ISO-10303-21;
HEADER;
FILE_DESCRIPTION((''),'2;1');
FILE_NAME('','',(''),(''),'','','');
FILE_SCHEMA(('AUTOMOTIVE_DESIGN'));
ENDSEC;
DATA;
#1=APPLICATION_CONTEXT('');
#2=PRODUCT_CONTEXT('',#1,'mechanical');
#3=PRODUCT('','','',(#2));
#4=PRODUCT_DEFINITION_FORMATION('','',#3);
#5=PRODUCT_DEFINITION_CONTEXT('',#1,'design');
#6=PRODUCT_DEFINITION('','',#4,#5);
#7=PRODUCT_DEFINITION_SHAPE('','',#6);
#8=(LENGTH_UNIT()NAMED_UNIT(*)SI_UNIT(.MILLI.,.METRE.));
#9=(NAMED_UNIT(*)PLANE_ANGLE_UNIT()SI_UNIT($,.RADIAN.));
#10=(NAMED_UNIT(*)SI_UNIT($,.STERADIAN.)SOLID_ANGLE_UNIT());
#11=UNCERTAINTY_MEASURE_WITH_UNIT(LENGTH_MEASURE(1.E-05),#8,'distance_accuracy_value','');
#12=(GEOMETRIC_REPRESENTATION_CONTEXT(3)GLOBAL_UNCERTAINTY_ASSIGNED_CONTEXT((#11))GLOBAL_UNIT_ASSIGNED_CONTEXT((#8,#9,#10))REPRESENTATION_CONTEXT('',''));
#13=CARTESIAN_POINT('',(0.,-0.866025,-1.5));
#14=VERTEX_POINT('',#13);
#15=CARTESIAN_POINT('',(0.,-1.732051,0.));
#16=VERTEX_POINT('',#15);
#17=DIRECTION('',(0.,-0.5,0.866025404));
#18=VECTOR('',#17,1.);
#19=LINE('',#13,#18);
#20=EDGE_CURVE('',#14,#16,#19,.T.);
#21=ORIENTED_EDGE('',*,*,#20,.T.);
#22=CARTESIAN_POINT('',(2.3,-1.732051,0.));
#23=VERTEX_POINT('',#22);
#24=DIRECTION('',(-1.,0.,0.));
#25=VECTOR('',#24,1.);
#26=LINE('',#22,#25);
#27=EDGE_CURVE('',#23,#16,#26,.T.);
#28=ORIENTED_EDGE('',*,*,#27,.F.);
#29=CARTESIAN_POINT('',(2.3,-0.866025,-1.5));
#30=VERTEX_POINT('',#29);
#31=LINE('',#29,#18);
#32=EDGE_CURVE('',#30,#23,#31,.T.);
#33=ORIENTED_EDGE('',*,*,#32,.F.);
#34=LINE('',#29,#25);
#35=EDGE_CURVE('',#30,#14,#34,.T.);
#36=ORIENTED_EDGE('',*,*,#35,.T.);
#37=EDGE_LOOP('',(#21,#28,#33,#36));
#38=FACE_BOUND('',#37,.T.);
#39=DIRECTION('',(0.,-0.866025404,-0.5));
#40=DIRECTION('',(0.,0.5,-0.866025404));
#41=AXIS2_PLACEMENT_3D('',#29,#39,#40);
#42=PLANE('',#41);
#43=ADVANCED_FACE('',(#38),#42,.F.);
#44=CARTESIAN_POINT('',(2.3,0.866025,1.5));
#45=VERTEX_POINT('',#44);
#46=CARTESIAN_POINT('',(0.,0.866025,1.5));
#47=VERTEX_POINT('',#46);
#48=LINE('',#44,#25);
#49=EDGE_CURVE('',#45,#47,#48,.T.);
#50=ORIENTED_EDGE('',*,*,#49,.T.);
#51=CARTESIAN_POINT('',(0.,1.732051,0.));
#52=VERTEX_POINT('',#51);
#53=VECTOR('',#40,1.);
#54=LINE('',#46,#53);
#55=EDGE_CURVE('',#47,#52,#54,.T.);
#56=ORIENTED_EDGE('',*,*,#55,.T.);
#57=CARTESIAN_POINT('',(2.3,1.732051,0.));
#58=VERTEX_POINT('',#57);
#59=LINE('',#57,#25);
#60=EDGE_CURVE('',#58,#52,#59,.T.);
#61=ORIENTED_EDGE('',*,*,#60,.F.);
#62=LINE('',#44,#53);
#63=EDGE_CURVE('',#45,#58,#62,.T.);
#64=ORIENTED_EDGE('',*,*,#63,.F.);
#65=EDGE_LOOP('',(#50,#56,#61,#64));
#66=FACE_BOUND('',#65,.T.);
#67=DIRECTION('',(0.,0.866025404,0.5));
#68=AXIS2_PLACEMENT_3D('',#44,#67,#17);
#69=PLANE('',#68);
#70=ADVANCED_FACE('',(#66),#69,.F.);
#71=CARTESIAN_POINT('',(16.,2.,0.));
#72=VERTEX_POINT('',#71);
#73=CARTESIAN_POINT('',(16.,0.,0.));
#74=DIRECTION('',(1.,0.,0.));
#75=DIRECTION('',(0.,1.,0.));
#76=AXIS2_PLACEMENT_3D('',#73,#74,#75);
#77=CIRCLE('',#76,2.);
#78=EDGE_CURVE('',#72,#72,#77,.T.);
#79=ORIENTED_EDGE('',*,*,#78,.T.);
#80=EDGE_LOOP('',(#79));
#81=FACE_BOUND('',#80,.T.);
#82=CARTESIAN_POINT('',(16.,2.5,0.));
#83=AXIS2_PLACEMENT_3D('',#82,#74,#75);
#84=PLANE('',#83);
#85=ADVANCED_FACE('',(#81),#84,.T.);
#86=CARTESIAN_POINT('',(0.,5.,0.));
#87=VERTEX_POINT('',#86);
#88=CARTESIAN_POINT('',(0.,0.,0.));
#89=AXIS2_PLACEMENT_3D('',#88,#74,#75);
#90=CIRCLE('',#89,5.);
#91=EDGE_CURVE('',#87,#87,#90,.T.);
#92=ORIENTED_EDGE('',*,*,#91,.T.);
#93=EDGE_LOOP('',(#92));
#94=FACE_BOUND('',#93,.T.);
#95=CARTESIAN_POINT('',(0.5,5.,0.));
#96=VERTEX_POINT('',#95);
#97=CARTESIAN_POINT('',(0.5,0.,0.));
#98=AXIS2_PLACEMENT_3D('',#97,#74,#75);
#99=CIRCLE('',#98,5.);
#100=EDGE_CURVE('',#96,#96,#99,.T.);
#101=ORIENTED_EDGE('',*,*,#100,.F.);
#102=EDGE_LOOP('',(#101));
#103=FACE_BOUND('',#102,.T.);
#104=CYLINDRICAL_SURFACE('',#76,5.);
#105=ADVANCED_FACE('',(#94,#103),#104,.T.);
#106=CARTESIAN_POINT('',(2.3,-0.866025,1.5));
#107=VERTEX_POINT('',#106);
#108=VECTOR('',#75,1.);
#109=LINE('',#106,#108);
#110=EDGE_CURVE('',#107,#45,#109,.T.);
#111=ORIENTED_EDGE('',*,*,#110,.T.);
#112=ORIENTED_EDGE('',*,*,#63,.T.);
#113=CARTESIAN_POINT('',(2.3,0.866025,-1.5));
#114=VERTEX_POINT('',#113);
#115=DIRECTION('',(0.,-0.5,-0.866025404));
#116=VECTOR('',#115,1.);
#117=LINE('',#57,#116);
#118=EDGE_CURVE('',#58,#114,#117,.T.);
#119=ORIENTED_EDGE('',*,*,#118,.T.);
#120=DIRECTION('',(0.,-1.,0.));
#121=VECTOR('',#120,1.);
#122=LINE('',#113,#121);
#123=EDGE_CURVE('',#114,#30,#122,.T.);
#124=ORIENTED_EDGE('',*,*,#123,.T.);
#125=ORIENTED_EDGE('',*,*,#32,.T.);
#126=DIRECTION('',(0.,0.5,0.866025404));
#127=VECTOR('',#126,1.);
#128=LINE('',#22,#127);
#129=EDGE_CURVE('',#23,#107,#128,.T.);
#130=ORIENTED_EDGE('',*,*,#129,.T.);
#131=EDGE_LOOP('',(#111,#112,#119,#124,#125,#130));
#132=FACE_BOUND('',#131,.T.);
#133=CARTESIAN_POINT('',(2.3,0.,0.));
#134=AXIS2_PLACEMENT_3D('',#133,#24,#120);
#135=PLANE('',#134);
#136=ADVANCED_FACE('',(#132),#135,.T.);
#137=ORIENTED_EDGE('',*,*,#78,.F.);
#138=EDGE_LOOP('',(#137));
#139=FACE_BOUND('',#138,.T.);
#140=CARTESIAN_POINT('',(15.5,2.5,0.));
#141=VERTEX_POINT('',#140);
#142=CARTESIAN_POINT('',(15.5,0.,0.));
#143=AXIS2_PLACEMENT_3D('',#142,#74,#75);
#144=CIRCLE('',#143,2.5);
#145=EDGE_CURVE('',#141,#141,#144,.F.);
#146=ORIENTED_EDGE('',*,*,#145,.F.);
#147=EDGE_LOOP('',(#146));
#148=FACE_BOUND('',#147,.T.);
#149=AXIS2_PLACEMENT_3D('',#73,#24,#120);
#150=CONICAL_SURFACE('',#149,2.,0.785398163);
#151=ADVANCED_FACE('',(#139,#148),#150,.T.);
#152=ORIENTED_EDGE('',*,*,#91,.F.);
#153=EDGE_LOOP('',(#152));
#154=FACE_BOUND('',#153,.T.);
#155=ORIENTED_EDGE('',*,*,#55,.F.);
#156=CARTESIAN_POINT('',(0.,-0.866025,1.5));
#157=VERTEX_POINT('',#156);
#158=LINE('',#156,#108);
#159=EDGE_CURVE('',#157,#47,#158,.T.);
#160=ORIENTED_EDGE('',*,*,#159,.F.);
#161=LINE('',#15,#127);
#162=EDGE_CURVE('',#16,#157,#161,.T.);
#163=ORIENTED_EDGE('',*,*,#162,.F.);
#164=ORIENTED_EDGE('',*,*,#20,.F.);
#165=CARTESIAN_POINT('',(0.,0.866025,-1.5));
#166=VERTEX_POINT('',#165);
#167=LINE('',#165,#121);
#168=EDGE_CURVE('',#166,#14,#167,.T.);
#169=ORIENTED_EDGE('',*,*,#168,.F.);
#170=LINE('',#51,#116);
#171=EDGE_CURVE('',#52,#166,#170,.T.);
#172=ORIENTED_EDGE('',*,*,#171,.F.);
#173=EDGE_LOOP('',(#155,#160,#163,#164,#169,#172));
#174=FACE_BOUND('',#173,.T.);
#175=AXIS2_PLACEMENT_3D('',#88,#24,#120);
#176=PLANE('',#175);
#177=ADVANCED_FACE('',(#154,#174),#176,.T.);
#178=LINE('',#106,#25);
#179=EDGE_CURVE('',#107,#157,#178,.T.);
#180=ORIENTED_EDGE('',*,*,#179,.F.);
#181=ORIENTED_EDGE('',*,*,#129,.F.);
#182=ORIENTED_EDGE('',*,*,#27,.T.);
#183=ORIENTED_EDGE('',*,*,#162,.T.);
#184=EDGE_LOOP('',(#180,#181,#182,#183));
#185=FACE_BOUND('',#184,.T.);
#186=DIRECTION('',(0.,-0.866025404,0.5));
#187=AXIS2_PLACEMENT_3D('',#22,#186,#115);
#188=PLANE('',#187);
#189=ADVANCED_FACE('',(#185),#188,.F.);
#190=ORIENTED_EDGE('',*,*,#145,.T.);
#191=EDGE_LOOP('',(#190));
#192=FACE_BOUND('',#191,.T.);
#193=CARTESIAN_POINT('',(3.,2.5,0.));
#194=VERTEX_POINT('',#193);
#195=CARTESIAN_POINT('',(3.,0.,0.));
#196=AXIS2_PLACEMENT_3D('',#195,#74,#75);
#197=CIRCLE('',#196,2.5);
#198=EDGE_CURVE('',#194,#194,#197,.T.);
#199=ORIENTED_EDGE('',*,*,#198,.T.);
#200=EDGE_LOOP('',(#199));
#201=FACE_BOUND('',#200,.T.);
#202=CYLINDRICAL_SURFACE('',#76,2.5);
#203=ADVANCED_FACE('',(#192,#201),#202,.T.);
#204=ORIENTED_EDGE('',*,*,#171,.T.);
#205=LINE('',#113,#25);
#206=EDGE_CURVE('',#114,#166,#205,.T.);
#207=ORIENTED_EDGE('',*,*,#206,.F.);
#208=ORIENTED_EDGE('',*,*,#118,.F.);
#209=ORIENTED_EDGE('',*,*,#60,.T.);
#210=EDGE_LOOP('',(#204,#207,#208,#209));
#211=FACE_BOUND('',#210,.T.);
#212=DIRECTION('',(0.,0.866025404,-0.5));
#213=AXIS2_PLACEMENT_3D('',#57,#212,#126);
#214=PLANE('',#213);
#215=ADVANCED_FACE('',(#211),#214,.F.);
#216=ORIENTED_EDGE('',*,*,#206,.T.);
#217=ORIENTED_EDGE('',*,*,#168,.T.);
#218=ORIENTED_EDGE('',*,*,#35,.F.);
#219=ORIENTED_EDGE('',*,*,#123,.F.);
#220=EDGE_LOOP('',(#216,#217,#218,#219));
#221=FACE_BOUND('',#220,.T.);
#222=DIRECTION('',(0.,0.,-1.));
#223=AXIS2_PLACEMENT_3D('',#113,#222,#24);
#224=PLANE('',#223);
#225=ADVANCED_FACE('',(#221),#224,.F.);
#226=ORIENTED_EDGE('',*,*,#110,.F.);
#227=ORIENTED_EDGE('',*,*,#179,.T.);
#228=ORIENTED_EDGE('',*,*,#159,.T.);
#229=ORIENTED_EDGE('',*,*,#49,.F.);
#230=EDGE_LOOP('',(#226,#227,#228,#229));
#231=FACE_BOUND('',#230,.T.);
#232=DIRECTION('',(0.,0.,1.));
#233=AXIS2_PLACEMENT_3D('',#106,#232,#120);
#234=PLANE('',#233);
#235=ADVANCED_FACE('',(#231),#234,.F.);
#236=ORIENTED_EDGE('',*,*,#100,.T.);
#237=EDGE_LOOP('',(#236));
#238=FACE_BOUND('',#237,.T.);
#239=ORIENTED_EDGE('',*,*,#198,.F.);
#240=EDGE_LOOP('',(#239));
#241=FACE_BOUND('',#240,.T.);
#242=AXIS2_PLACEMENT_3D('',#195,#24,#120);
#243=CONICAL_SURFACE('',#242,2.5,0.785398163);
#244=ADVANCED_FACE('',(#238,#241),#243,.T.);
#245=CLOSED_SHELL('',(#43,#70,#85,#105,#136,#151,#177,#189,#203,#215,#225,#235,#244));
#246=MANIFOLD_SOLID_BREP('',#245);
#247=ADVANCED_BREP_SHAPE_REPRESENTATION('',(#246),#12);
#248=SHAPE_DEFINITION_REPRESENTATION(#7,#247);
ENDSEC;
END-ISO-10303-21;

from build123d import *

# Parameters (mm, degrees)
CHANFREIN1_SIZE         = 0.5
ENL_V_MAT_EXTRU_1_DEPTH = 2.3


with BuildPart() as part:
    # Esquisse1 → Révolution1 (revolve)
    with BuildSketch(Plane.XY):
        Polygon((0, 0), (0, 5), (0.5, 5), (3, 2.5), (16, 2.5), (16, 0), align=None)
    revolve(axis=Axis((16, 0, 0), (-1, 0, 0)))

    # Chanfrein1
    chanfrein1_edges = [part.edges().sort_by_distance(p)[0] for p in [
        (16, -2.5, 0),
    ]]
    chamfer(chanfrein1_edges, length=CHANFREIN1_SIZE)

    # Esquisse2 → Enlèv. mat.-Extru.1 (cut)
    with BuildSketch(Plane.ZY):
        Polygon((0, 1.732050808), (-1.5, 0.866025404), (-1.5, -0.866025404), (0, -1.732050808), (1.5, -0.866025404), (1.5, 0.866025404), align=None)
    extrude(amount=-ENL_V_MAT_EXTRU_1_DEPTH, mode=Mode.SUBTRACT)


solid = part.part
